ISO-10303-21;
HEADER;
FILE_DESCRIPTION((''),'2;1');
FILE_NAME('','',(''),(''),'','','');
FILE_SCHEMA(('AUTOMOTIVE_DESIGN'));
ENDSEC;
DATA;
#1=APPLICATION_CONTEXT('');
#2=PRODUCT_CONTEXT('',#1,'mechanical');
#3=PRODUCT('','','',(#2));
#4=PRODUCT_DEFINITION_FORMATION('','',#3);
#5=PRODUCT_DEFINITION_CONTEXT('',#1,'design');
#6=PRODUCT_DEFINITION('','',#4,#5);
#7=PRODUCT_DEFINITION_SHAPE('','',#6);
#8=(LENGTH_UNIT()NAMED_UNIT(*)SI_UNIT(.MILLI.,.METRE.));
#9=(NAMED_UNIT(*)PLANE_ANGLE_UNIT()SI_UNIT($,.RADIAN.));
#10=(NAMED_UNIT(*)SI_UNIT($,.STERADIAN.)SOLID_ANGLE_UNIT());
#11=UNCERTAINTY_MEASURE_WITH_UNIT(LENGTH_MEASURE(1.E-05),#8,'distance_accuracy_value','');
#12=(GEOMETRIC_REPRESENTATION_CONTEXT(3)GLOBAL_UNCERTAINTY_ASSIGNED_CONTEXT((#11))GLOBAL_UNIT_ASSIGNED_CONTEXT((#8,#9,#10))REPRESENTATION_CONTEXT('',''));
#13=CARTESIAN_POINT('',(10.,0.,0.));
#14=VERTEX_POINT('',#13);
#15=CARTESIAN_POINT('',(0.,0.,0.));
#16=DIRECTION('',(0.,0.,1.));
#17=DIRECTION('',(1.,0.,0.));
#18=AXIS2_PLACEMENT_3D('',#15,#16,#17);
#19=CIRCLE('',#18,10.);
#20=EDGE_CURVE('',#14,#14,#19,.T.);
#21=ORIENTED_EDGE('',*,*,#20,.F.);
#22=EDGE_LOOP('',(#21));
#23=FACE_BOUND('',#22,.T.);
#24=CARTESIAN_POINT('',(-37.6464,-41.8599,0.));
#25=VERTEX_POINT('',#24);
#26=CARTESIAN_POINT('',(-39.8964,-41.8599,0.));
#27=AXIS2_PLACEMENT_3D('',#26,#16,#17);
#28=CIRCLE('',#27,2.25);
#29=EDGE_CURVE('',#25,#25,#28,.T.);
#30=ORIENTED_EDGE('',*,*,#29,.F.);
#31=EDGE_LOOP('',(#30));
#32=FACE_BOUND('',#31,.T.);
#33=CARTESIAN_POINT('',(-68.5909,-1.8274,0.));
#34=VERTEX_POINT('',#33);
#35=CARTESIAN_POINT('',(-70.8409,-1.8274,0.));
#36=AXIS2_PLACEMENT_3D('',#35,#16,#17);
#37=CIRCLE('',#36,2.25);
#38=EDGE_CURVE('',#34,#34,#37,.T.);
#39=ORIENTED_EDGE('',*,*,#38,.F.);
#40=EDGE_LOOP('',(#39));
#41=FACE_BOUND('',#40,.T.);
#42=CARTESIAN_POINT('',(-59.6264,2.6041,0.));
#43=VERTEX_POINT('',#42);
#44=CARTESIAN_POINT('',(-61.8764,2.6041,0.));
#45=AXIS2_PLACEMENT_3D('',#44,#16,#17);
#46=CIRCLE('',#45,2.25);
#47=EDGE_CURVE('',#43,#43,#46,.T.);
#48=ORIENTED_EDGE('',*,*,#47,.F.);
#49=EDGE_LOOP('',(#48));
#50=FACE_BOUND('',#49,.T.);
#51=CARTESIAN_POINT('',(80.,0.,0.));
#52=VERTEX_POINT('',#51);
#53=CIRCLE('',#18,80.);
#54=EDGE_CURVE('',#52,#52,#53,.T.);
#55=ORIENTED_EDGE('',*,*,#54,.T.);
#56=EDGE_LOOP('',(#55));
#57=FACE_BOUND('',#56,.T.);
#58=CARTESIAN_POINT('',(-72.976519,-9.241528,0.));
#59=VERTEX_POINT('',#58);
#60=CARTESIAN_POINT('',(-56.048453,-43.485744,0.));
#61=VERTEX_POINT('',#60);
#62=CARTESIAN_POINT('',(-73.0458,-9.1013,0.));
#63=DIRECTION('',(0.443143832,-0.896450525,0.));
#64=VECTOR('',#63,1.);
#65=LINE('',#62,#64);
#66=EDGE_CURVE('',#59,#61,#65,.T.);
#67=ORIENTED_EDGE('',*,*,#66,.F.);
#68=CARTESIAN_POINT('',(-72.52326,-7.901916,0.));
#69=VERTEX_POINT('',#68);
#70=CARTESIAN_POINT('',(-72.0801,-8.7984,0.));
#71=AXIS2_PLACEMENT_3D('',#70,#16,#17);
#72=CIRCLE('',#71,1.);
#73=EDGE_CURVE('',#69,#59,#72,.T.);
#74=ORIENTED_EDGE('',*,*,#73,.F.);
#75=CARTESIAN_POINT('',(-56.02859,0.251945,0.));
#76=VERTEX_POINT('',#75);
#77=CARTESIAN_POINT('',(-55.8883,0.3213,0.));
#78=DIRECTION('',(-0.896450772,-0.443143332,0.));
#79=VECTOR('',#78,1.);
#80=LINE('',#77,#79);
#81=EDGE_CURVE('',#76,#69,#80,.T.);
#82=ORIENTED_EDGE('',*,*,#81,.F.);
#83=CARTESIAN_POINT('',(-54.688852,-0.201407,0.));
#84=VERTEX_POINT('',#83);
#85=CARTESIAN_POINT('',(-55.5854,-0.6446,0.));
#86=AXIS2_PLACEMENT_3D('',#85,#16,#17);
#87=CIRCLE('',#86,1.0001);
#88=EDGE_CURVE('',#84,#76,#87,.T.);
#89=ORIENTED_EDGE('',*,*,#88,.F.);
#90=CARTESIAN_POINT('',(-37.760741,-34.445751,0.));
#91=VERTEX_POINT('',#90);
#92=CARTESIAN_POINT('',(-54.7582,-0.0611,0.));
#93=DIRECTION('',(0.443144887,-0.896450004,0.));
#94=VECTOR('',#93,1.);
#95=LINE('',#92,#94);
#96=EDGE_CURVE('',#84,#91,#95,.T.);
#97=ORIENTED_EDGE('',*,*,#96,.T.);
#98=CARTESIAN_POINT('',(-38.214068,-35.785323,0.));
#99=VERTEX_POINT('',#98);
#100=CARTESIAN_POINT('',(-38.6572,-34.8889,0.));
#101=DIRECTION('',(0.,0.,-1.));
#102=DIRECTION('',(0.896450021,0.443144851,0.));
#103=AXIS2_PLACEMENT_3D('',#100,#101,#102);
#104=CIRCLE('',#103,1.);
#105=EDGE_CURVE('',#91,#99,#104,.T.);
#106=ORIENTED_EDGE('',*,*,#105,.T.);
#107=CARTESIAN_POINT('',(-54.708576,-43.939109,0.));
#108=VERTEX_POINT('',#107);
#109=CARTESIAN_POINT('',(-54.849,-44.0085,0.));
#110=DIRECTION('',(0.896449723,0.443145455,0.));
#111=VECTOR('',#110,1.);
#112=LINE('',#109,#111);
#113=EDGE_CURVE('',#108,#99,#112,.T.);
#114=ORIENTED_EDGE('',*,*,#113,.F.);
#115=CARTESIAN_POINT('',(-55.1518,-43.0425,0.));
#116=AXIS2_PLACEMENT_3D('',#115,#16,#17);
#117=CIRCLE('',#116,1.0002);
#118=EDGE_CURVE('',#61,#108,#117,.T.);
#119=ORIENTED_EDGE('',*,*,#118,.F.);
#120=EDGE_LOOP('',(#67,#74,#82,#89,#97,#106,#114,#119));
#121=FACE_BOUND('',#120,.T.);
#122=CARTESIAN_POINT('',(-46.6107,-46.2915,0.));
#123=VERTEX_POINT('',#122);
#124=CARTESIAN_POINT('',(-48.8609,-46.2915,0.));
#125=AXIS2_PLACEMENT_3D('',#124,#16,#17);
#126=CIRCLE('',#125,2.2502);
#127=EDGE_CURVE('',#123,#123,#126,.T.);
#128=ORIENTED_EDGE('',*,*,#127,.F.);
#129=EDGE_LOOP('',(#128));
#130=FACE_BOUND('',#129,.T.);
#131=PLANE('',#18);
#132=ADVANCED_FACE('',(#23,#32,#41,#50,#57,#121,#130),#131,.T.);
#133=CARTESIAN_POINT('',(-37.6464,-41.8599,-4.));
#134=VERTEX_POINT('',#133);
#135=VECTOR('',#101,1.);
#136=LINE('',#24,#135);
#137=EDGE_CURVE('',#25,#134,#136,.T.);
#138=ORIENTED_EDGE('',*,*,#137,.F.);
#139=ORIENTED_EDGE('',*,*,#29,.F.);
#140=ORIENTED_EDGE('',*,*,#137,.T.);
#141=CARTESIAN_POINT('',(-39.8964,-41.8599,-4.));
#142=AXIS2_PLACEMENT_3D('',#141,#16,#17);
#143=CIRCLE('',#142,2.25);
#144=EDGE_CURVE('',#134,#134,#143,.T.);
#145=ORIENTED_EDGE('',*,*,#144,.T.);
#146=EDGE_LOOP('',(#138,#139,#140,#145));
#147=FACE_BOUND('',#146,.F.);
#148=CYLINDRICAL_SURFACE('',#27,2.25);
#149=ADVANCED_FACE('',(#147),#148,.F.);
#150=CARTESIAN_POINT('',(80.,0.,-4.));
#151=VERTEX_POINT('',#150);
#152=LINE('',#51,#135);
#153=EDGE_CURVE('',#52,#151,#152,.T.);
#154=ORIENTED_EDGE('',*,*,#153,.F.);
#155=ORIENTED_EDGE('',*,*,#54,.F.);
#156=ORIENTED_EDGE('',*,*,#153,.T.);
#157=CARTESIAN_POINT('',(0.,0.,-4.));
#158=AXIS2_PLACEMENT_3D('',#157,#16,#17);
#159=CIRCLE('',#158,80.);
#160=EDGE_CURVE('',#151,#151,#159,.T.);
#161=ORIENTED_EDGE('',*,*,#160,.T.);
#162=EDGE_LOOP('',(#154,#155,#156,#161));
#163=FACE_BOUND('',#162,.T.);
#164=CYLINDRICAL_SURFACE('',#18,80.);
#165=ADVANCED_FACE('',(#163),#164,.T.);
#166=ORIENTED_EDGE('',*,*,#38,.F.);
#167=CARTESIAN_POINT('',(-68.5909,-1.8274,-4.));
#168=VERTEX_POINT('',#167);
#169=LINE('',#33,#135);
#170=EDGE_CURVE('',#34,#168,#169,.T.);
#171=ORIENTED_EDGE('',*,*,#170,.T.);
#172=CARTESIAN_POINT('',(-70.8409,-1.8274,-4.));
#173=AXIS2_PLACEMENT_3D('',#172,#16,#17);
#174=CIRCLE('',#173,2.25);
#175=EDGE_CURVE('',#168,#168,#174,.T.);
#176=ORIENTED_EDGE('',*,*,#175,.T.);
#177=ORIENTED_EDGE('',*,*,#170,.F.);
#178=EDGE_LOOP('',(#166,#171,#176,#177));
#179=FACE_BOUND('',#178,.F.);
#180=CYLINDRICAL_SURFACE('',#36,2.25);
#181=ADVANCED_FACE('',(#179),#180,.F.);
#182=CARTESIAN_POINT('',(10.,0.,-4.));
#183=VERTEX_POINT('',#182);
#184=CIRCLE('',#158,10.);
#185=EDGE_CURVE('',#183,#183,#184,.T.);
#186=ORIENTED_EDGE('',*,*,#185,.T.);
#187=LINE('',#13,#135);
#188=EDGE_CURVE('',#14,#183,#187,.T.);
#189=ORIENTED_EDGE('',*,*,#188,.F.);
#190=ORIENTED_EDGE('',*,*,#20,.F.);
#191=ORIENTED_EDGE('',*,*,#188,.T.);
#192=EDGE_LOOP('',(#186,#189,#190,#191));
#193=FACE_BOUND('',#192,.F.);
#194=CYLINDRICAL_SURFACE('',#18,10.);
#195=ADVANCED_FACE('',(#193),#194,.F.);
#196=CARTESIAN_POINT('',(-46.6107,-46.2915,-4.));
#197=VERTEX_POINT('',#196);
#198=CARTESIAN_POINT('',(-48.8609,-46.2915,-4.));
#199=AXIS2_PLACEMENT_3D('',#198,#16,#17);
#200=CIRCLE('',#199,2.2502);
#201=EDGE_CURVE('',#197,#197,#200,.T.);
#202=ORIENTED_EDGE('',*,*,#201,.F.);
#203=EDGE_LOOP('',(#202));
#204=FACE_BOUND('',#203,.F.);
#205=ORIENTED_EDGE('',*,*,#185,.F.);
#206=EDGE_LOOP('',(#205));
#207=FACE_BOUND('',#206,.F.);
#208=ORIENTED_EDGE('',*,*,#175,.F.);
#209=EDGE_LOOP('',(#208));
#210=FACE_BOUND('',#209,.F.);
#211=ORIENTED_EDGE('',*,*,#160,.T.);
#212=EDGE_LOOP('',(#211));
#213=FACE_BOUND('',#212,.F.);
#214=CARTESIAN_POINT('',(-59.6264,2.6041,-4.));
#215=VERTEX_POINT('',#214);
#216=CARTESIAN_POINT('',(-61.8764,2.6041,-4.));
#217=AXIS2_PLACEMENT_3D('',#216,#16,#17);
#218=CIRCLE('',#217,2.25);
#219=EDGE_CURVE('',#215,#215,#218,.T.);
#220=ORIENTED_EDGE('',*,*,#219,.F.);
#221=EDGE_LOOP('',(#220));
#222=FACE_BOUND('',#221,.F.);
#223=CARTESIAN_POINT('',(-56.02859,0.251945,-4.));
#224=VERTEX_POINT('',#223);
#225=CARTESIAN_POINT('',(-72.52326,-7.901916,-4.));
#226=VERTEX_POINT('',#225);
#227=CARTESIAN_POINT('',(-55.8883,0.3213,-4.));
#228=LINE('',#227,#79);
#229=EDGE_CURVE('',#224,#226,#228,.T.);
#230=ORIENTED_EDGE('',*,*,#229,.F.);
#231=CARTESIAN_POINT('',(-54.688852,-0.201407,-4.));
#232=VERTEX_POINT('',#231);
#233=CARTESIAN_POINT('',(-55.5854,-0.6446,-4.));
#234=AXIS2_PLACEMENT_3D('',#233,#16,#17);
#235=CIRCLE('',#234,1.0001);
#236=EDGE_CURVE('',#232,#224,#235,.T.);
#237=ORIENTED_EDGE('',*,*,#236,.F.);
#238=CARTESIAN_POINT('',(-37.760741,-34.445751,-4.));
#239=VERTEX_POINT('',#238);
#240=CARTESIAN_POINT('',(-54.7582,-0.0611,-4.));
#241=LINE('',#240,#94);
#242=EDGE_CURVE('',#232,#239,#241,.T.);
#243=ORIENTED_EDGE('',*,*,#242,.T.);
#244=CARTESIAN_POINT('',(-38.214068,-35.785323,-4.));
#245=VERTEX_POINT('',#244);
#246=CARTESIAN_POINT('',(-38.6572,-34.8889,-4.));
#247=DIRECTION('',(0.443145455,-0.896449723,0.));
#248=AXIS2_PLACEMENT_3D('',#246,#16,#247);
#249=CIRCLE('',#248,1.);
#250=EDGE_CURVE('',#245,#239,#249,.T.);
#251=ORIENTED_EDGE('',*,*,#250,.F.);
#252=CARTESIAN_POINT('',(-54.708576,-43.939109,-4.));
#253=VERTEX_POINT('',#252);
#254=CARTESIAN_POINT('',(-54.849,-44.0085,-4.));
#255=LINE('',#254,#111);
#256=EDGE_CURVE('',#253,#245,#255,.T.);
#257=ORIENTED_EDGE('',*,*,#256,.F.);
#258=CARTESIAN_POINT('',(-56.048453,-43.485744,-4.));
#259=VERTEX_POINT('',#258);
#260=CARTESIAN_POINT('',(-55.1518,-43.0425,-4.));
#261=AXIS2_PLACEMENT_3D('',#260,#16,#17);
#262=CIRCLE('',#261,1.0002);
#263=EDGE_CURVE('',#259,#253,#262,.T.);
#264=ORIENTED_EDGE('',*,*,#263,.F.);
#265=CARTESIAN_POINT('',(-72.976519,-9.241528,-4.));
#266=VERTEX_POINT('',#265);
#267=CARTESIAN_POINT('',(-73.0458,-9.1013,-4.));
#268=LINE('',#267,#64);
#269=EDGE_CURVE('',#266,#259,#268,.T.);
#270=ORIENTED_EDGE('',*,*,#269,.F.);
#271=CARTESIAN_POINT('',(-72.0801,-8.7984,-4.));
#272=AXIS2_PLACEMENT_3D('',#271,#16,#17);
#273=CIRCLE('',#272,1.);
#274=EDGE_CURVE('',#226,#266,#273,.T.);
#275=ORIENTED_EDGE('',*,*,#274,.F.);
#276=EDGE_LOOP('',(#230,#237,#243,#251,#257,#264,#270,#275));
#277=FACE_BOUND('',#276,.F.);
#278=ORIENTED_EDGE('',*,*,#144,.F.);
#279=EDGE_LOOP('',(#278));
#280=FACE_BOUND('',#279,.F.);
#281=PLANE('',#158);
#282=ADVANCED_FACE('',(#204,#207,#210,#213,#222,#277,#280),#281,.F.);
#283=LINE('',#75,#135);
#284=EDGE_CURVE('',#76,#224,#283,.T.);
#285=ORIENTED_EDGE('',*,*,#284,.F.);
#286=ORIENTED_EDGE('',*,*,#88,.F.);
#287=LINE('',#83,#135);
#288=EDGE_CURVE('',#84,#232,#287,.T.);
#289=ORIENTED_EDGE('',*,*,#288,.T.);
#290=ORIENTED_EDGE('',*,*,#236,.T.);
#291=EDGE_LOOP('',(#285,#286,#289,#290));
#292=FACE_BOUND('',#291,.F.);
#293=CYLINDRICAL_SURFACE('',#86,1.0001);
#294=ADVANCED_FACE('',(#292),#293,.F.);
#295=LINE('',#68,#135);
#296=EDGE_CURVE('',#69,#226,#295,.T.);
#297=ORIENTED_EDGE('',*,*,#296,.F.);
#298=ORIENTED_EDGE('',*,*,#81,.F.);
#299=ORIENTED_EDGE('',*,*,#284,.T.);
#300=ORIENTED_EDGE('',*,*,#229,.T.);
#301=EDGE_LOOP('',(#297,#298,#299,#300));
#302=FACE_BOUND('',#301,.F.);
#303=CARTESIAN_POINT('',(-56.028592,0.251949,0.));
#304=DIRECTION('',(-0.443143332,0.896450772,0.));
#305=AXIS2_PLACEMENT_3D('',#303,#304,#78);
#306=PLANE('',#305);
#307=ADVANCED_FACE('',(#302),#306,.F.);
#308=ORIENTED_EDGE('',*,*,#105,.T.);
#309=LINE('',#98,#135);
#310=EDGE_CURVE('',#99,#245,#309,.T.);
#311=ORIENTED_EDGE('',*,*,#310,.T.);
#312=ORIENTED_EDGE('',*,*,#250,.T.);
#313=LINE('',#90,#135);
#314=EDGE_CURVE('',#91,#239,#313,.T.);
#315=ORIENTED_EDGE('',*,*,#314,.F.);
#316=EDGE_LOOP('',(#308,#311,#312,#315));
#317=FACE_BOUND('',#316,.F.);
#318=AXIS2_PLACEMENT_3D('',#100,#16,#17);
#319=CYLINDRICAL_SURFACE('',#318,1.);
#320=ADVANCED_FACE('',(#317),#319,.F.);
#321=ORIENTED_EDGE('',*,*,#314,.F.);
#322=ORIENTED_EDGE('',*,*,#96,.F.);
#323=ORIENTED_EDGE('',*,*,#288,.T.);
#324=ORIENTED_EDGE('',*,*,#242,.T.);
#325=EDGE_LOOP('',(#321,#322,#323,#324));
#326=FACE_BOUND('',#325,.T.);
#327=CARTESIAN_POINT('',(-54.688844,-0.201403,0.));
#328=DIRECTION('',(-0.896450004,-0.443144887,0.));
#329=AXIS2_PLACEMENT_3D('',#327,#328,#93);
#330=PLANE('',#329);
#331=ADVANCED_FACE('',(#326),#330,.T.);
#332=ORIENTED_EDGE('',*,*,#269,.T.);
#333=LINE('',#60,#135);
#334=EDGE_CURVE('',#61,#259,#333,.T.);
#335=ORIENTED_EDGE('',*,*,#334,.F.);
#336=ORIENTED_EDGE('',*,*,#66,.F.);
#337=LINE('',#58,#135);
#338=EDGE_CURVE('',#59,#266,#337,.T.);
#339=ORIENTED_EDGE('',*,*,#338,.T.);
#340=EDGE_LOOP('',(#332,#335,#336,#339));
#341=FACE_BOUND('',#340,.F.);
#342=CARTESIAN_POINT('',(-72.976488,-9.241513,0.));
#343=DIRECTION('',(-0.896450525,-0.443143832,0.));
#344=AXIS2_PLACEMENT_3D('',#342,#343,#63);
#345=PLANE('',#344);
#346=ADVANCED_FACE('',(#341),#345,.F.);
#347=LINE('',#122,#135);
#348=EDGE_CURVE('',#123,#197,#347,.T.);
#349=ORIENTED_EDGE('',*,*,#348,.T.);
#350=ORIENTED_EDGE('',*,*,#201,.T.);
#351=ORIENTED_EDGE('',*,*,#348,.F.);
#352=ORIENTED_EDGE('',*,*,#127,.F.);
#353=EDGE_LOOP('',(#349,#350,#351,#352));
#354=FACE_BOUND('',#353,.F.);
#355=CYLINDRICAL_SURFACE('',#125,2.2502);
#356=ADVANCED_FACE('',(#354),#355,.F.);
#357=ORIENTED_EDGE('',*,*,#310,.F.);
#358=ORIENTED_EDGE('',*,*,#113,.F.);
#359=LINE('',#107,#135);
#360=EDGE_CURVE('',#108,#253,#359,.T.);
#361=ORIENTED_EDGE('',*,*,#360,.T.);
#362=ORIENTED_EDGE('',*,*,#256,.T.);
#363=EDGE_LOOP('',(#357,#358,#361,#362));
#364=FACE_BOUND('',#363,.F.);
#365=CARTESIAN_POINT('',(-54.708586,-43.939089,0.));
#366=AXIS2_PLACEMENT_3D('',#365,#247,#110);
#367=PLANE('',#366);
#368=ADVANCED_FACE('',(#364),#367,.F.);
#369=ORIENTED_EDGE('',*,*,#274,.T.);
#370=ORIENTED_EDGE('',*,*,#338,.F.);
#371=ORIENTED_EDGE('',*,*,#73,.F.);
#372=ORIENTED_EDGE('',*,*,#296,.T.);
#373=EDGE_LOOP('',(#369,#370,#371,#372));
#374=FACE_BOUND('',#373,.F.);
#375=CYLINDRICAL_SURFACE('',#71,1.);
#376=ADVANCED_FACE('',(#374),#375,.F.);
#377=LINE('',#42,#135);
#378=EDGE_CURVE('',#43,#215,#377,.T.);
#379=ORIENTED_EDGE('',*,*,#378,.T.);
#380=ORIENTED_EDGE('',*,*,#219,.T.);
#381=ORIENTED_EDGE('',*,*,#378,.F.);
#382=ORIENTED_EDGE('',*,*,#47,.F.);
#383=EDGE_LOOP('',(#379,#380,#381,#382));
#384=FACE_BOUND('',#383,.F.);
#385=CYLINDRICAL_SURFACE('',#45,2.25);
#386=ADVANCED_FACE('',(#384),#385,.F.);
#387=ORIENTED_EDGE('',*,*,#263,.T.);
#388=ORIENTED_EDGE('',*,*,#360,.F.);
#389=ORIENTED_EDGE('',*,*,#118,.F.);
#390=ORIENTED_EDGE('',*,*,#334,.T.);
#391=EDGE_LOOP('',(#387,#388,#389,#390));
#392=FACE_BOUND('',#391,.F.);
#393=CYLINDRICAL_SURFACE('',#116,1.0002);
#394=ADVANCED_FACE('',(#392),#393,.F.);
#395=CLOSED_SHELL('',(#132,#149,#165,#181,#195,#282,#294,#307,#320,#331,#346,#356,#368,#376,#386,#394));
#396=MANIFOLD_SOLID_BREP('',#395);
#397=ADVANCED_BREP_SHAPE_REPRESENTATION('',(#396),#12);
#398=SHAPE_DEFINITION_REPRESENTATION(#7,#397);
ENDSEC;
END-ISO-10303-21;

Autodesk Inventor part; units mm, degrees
ref_plane "YZ Plane" through (0, 0, 0) normal (1, 0, 0) x (0, 1, 0)
ref_plane "XZ Plane" through (0, 0, 0) normal (0, 1, 0) x (-1, 0, 0)
ref_plane "XY Plane" through (0, 0, 0) normal (0, 0, 1) x (1, 0, 0)
sketch "Эскиз1" plane through (0, 0, 0) normal (0, 0, 1) x (1, 0, 0)
  circle A0 centre (0, 0) radius 80
  line L0 (-73.0458, -9.1013) -> (-55.9791, -43.6261)
  line L1 (-55.8883, 0.3213) -> (-72.6635, -7.9712)
  circle A1 centre (-72.0801, -8.7984) radius 1
  circle A2 centre (-55.1518, -43.0425) radius 1.0002
  line L2 (-54.7582, -0.0611) -> (-37.6914, -34.586)
  circle A3 centre (-55.5854, -0.6446) radius 1.0001
  line L3 (-54.849, -44.0085) -> (-38.0739, -35.716)
  circle A4 centre (-38.6572, -34.8889) radius 1
  circle A5 centre (-48.8609, -46.2915) radius 2.2502
  circle A6 centre (-39.8964, -41.8599) radius 2.25
  circle A7 centre (-61.8764, 2.6041) radius 2.25
  circle A8 centre (-70.8409, -1.8274) radius 2.25
  point P0 (-58.3538, 3.8585)
  point P1 (-37.7608, -34.4457)
  point P2 (-38.2141, -35.7853)
  point P3 (-54.7086, -43.9391)
  point P4 (-56.0485, -43.4857)
  point P5 (-72.9765, -9.2415)
  point P6 (-72.5232, -7.9019)
  point P7 (-56.0286, 0.2519)
  point P8 (-54.6889, -0.2014)
  dimension "d2" = 160
extrude "Выдавливание1" add sketch "Эскиз1" against normal blind 4
sketch "Эскиз2" plane through (0, 0, 0) normal (0, 0, 1) x (1, 0, 0)
  circle A0 centre (0, 0) radius 80
  circle A1 centre (0, 0) radius 10
  dimension "d4" = 20
extrude "Выдавливание2" cut sketch "Эскиз2" against normal blind 10 contours A1
properties part number "нижний эллипс головы"
